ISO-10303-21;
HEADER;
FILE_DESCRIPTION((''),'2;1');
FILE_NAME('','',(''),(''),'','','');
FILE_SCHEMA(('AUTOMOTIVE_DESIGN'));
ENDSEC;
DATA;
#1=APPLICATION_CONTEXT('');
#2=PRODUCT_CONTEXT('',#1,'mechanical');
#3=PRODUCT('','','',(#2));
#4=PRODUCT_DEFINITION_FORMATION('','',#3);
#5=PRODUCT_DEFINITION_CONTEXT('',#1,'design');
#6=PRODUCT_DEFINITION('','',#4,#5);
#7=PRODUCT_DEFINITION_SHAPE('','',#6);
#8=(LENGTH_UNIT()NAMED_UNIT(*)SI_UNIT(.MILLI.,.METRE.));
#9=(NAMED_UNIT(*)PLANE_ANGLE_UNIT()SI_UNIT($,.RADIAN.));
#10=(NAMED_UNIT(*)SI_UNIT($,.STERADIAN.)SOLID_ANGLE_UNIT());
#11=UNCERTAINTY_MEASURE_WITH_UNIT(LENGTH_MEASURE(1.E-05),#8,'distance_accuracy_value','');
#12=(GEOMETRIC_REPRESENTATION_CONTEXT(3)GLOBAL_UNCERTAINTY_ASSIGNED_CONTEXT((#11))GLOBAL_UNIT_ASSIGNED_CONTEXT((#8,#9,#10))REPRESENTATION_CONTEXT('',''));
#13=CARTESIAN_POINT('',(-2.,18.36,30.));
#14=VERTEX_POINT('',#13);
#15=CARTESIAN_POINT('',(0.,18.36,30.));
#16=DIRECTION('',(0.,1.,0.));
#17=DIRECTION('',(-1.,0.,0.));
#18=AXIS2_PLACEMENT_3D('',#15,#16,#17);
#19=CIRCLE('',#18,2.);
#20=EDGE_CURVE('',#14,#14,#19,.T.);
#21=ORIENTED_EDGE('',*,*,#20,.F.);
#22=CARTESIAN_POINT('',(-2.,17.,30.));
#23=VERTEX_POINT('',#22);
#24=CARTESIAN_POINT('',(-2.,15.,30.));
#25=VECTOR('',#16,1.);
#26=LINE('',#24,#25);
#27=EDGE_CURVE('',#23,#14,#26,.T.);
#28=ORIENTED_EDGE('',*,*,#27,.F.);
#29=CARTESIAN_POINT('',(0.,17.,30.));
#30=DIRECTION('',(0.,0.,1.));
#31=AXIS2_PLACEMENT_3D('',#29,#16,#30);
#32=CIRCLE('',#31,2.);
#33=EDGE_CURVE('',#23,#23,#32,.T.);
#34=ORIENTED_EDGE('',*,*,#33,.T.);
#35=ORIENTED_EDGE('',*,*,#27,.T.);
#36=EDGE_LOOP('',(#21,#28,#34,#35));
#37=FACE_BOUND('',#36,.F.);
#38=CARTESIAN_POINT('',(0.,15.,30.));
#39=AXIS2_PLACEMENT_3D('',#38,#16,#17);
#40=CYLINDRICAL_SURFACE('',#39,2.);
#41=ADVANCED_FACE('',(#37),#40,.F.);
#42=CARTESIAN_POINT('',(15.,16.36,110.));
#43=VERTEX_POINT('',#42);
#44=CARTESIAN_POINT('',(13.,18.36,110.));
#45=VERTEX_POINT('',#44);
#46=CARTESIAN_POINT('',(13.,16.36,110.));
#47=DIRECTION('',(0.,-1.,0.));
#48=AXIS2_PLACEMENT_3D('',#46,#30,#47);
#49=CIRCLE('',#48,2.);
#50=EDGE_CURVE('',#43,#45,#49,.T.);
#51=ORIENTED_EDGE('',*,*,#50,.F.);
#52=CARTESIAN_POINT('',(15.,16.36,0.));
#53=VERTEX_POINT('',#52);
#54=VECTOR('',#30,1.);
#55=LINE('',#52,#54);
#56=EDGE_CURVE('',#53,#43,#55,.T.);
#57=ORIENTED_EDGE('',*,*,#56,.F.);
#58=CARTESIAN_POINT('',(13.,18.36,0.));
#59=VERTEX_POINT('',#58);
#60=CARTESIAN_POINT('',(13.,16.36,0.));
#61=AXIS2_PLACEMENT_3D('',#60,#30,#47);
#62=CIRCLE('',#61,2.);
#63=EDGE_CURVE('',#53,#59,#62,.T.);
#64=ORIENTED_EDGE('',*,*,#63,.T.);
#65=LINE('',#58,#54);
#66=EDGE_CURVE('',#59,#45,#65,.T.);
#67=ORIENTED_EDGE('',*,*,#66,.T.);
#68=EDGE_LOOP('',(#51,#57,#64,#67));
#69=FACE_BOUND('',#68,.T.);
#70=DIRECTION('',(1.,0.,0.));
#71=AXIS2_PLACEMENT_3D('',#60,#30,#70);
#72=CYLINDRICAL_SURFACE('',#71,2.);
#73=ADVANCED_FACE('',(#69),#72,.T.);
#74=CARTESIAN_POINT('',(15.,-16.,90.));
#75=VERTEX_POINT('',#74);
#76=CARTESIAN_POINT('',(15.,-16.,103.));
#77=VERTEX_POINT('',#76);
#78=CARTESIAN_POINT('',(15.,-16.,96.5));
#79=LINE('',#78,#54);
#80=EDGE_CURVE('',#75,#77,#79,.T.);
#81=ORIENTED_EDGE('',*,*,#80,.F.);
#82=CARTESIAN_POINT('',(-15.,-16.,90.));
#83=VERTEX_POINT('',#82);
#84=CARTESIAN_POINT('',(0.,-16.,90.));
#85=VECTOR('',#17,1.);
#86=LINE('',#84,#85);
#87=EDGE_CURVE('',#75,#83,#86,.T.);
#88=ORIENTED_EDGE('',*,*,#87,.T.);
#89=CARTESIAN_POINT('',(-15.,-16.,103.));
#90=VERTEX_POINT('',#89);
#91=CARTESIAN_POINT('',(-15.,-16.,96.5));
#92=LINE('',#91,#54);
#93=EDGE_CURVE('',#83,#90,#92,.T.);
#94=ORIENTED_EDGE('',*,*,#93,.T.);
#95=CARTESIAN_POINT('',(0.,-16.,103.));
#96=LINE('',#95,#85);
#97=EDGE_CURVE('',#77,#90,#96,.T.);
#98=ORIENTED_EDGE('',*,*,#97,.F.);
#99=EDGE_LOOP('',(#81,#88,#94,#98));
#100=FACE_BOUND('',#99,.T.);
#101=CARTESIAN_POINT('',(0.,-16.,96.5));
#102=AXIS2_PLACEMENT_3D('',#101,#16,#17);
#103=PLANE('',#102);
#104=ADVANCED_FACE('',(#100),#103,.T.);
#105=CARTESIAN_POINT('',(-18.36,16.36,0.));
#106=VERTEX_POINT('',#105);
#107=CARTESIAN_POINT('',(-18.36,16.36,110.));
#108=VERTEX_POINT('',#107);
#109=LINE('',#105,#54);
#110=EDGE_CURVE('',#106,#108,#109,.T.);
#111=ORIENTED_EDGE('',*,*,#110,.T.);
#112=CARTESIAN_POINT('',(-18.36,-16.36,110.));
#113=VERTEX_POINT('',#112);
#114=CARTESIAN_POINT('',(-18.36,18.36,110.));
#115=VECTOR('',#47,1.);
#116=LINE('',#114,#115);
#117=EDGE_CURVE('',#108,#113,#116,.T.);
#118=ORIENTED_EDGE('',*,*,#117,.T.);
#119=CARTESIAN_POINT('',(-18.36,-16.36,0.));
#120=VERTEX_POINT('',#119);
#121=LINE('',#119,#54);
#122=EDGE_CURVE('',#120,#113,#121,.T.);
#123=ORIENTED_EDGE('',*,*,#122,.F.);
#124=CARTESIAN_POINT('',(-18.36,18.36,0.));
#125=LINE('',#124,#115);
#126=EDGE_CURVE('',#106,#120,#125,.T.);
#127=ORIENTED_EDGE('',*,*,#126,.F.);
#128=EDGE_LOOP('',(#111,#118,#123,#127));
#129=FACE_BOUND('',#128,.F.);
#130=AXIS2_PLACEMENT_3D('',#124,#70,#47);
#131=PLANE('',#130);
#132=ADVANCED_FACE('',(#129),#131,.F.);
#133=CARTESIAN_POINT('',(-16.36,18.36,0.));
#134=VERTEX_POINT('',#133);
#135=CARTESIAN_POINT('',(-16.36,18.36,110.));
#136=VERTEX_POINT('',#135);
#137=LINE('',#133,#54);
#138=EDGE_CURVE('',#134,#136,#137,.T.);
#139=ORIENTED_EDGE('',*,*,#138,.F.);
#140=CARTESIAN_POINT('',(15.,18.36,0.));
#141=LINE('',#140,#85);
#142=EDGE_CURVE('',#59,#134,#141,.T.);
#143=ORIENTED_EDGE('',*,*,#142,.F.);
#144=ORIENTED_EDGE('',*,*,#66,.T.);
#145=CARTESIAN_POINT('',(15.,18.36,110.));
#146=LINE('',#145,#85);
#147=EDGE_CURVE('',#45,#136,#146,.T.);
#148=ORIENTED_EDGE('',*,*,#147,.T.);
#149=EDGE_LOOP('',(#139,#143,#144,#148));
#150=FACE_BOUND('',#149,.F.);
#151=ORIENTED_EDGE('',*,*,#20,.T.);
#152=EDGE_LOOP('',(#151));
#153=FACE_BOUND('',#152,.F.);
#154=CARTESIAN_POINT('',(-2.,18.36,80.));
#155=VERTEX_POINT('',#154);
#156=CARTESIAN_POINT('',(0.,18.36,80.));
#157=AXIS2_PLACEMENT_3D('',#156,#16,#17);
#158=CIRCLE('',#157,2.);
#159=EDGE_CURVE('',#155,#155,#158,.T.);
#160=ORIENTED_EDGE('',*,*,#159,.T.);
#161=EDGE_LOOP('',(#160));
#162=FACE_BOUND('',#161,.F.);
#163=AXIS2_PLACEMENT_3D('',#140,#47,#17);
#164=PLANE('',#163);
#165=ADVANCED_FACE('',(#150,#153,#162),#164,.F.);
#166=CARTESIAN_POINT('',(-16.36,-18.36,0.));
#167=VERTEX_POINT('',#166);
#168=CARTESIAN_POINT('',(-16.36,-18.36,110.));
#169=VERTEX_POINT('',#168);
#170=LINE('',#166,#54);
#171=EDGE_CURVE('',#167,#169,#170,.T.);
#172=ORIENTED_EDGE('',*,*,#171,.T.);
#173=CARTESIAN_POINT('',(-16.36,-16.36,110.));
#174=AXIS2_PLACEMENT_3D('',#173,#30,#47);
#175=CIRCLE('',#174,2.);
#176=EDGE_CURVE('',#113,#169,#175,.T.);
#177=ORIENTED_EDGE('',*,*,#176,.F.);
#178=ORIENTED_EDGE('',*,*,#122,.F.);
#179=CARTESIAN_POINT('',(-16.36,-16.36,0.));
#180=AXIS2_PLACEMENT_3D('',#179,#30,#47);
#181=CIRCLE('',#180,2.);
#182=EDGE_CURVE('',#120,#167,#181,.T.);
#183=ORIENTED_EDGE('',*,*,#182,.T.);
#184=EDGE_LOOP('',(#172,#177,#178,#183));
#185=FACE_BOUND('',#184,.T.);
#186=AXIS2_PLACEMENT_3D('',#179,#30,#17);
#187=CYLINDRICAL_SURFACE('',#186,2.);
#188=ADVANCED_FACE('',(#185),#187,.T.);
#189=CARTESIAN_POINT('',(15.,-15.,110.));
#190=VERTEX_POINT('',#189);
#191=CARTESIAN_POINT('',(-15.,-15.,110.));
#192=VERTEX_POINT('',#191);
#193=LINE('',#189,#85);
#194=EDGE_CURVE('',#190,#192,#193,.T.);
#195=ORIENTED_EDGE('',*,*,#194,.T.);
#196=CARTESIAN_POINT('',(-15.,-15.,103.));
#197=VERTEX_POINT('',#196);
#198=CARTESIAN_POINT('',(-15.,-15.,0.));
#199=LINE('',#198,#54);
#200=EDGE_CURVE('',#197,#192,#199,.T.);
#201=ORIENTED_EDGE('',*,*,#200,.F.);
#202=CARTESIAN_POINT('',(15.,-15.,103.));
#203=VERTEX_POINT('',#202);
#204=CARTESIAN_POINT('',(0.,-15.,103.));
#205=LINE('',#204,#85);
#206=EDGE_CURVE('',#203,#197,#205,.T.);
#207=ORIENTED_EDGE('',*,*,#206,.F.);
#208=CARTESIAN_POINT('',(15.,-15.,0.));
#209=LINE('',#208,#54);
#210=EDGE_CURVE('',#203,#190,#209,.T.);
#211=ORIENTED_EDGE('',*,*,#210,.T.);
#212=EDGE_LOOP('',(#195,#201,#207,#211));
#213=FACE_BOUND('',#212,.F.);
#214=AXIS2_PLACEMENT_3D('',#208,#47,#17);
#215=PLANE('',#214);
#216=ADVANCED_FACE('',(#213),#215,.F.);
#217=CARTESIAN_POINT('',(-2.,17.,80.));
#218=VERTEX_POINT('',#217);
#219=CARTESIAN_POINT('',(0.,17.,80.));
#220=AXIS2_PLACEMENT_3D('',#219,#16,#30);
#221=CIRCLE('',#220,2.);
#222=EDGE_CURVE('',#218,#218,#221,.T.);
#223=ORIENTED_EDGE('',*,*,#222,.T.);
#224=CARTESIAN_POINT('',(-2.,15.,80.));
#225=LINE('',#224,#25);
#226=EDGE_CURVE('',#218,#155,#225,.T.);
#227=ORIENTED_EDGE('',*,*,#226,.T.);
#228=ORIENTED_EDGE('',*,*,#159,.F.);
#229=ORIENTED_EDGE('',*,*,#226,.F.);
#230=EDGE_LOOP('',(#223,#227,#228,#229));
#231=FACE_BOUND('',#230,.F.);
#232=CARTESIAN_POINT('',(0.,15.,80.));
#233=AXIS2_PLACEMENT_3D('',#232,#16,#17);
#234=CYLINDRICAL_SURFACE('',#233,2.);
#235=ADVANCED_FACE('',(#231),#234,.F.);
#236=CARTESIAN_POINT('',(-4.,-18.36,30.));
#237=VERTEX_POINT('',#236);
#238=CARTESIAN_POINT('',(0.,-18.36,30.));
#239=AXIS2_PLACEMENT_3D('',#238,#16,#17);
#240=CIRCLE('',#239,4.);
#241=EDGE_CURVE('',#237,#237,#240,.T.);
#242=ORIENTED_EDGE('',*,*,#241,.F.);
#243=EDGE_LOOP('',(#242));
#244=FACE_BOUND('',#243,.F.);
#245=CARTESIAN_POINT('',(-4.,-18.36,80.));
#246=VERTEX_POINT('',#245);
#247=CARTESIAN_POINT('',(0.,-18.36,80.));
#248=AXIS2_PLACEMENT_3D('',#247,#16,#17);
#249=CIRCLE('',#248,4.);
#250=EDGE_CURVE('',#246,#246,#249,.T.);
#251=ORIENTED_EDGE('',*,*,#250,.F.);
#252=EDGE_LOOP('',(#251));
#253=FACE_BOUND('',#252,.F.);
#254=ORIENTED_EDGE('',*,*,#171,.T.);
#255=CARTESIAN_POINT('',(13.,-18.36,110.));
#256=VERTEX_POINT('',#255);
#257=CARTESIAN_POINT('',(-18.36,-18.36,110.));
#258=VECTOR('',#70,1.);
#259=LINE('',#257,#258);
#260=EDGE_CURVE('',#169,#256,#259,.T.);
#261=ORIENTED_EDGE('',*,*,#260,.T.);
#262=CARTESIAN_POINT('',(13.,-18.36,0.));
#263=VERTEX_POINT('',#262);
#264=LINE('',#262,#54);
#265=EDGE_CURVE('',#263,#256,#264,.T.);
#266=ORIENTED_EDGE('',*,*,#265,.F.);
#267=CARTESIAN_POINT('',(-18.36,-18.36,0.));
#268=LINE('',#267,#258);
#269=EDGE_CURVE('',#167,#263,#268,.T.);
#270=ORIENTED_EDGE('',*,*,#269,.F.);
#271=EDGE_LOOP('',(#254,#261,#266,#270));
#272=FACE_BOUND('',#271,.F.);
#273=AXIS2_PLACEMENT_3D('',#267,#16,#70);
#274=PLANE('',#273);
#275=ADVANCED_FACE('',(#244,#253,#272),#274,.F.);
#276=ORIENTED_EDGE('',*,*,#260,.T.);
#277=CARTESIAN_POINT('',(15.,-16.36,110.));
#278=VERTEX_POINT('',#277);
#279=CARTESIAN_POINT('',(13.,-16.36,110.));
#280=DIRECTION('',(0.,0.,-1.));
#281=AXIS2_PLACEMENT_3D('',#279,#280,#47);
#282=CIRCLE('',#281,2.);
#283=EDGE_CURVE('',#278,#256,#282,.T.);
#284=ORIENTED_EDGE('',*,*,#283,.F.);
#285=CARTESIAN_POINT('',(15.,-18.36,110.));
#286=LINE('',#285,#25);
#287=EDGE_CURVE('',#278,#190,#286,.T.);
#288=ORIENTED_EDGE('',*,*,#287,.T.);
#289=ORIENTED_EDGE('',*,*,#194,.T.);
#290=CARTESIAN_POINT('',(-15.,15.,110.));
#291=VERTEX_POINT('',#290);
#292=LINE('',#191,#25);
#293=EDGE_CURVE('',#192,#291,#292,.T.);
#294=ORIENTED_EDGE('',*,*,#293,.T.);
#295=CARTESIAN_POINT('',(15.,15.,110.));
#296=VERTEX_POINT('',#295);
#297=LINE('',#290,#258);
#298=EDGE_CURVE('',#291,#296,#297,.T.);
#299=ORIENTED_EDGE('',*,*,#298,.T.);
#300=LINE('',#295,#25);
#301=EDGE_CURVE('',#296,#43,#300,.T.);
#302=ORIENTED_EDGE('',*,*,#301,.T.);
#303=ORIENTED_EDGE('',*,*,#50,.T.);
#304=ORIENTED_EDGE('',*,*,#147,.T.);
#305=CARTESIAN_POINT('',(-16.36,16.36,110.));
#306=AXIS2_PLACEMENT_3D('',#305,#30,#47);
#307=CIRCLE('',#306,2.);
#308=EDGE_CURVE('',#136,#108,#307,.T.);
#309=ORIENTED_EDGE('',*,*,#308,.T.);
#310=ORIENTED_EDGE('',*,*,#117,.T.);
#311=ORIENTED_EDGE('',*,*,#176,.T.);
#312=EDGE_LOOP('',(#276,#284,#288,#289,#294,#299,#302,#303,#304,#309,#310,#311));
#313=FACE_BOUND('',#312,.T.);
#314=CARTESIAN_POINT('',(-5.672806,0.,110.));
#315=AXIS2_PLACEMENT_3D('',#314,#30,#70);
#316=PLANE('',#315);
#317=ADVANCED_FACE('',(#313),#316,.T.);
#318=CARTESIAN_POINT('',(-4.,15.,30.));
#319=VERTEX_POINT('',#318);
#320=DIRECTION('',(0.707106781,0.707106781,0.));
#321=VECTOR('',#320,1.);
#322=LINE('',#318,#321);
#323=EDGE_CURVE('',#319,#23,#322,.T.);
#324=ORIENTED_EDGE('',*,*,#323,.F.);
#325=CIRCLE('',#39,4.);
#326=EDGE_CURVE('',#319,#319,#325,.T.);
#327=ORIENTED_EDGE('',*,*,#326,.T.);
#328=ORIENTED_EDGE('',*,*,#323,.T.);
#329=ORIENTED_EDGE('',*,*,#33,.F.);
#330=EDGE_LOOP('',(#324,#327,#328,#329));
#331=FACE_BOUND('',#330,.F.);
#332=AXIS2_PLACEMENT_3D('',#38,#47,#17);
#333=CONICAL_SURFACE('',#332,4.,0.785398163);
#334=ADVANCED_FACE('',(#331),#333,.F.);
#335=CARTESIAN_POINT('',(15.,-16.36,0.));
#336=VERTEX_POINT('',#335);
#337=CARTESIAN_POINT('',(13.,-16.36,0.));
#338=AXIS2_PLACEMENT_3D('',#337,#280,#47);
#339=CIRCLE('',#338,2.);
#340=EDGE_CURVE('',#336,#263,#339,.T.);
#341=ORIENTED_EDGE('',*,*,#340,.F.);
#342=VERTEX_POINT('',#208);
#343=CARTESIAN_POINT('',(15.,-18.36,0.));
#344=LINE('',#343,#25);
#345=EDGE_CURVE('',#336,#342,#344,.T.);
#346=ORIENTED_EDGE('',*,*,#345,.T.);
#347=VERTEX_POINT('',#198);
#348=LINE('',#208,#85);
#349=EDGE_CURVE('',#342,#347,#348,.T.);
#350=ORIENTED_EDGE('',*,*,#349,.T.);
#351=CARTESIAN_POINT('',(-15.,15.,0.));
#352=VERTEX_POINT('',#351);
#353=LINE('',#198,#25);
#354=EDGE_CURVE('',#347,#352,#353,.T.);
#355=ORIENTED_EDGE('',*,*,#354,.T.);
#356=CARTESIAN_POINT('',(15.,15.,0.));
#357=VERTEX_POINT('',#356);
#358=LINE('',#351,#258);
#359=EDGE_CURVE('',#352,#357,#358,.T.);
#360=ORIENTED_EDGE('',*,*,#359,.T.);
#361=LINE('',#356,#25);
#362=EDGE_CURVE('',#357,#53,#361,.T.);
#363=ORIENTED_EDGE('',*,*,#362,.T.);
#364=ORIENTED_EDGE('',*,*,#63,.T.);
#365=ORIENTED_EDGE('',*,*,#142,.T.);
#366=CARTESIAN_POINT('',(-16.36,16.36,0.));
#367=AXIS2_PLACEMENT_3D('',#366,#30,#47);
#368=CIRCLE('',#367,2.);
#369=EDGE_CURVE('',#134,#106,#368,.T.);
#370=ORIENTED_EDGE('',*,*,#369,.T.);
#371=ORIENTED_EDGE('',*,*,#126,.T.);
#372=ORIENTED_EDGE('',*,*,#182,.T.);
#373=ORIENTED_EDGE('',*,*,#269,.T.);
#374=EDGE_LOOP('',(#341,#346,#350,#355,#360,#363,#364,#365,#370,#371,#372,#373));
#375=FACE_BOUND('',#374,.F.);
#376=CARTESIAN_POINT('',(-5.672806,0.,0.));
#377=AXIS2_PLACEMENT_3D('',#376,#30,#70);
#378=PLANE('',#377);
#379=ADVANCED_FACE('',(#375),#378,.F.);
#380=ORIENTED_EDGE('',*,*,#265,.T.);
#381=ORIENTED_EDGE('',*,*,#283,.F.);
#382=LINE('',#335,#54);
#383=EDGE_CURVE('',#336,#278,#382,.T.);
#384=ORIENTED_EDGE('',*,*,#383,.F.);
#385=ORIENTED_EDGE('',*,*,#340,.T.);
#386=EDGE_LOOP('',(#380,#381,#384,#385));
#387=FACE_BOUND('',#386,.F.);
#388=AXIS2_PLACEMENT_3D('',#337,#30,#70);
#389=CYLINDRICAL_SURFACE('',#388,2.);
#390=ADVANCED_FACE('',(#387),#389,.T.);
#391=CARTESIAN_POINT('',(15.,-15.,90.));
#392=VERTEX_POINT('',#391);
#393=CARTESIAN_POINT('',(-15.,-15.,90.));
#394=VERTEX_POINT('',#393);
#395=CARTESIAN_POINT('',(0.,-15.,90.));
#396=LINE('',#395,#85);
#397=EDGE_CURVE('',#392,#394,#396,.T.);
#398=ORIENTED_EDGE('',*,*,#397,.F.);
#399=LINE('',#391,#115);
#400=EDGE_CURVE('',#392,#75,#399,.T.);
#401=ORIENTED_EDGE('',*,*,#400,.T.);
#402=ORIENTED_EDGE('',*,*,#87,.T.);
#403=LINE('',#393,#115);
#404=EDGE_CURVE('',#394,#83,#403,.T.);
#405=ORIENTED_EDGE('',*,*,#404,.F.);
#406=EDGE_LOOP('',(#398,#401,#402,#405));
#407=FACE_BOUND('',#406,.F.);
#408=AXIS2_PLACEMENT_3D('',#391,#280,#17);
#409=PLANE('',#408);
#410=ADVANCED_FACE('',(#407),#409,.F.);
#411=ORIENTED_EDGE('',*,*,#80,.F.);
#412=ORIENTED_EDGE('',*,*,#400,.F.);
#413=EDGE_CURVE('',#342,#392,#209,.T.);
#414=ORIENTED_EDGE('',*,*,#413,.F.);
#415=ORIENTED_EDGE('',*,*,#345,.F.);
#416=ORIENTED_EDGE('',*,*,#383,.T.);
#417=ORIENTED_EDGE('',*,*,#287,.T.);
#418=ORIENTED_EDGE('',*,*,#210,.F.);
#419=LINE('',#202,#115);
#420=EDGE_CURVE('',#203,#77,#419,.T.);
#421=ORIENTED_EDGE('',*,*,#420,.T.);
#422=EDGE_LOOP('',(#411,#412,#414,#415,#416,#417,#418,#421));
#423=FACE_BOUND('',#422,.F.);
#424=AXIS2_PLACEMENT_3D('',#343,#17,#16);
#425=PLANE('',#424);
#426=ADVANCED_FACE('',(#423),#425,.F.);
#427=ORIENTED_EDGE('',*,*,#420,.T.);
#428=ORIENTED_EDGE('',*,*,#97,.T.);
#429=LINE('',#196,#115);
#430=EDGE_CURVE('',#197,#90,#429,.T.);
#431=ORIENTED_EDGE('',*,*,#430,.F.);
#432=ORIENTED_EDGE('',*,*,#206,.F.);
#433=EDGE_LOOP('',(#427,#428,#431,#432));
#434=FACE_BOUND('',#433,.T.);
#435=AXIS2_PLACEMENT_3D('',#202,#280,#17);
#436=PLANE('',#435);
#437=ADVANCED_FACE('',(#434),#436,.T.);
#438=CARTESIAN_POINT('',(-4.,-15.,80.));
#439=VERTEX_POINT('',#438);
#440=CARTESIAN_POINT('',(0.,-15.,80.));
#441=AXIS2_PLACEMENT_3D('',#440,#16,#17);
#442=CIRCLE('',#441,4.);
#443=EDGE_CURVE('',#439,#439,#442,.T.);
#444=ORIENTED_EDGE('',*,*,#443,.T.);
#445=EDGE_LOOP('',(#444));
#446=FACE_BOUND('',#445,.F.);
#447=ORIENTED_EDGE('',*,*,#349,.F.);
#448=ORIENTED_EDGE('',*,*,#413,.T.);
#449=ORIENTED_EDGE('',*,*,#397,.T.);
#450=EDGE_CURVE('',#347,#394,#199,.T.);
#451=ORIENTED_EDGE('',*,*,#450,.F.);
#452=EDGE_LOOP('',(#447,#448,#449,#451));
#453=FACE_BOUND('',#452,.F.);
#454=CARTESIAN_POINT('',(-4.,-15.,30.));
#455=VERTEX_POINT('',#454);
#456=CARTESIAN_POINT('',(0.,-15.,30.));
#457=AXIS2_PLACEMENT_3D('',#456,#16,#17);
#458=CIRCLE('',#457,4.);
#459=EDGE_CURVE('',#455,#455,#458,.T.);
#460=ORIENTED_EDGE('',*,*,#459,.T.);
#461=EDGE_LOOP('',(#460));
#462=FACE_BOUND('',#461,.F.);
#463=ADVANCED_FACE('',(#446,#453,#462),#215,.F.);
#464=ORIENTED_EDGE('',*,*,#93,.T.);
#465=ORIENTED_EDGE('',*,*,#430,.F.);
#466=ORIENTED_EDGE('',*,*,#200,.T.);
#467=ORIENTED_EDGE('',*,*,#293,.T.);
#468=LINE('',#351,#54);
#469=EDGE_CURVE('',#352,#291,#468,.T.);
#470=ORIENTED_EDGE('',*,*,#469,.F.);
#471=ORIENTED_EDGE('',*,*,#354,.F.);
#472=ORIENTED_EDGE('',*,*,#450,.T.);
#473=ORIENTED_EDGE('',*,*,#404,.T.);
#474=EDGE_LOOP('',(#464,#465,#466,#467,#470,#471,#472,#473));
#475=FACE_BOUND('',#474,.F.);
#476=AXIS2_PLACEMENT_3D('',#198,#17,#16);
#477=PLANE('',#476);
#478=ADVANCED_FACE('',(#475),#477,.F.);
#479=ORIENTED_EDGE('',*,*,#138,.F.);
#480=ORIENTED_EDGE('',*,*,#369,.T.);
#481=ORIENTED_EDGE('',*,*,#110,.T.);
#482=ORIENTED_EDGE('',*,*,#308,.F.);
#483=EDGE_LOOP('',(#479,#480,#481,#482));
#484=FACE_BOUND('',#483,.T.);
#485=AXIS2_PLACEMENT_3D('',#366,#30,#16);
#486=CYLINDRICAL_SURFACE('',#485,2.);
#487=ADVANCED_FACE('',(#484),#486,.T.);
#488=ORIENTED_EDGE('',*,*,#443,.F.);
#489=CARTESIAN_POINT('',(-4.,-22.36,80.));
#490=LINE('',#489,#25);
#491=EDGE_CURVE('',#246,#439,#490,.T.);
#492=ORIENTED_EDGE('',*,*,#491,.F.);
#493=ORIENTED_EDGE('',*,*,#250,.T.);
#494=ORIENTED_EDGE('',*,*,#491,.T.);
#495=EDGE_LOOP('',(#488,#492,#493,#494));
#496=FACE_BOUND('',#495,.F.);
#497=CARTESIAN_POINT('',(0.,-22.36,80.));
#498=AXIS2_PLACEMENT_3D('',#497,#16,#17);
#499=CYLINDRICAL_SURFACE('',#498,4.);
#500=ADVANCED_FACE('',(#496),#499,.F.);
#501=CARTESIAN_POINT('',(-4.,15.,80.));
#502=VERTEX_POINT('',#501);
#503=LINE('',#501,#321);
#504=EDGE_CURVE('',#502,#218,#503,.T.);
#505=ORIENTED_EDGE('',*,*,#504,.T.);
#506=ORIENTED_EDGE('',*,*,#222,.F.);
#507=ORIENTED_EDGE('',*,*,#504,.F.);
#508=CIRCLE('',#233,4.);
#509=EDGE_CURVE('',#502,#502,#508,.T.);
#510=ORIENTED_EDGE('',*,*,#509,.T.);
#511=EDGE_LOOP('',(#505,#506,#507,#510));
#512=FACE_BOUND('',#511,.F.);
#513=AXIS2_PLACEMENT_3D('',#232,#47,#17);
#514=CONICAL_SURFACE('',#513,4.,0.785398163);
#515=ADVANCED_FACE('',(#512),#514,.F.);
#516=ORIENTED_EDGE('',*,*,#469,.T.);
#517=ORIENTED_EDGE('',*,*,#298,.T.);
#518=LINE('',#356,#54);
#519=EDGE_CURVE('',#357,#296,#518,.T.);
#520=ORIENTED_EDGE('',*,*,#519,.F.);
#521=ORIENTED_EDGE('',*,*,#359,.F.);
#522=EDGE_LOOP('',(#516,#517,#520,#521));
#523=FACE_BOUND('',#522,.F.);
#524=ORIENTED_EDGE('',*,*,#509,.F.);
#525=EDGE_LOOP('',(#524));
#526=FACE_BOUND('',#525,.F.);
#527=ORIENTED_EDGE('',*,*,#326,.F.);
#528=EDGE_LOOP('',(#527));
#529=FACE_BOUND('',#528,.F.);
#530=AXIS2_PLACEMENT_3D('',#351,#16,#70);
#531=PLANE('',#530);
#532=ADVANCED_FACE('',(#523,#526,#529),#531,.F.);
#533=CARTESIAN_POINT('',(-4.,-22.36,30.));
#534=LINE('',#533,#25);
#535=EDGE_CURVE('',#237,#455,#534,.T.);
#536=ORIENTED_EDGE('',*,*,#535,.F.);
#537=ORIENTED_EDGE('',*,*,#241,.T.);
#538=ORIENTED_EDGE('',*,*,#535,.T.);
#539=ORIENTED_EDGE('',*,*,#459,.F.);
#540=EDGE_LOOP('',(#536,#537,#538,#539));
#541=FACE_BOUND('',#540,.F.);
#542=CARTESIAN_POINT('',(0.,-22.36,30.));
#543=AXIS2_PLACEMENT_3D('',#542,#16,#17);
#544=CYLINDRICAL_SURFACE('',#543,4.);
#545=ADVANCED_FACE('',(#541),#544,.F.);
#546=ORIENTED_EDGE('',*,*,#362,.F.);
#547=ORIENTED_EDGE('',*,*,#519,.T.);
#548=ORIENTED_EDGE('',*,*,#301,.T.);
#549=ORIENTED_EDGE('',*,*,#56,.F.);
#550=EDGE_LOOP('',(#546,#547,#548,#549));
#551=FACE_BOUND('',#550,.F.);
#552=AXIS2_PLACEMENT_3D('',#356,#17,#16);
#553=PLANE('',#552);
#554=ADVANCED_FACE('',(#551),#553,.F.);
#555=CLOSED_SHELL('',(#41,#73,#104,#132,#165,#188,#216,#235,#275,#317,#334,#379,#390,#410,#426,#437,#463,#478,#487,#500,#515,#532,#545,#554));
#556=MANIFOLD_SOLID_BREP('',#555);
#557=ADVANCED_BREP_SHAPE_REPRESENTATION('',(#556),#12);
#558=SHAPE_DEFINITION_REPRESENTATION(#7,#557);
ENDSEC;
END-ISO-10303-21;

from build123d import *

# Parameters (mm, degrees)
F1_DEPTH       = 110
F2_R           = 2
F4_D           = 8
F4_DEPTH       = 4
F6_D           = 4
F6_DEPTH       = 4
F6_CSINK_D     = 8
F6_CSINK_ANGLE = 90
F7_W           = 30
F7_H           = 13
F8_DEPTH       = 1


with BuildPart() as f1:
    # F0 (on Top) → F1 (new body)
    with BuildSketch(Plane.XY):
        Polygon((15, -18.36), (15, -15), (-15, -15), (-15, 15), (15, 15), (15, 18.36), (-18.36, 18.36), (-18.36, -18.36), align=None)
    extrude(amount=F1_DEPTH)

    # F2
    f2_edges = [f1.edges().sort_by_distance(p)[0] for p in [
        (-18.36, -18.36, 55),
        (-18.36, 18.36, 55),
        (15, -18.36, 55),
        (15, 18.36, 55),
    ]]
    fillet(f2_edges, radius=F2_R)

    # F4
    with Locations(Plane.XZ.offset(18.36)):
        with Locations((0, 30), (0, 80)):
            Hole(F4_D / 2, depth=F4_DEPTH)

    # F6
    with Locations(Plane.XZ.offset(-15)):
        with Locations((0, 30), (0, 80)):
            CounterSinkHole(F6_D / 2, F6_CSINK_D / 2, depth=F6_DEPTH, counter_sink_angle=F6_CSINK_ANGLE)

    # F7 (on face) → F8 (cut)
    with BuildSketch(Plane(origin=(0, -15, 0), x_dir=(-1, 0, 0), z_dir=(0, 1, 0))):
        with Locations((0, 96.5)):
            Rectangle(F7_W, F7_H)
    extrude(amount=-F8_DEPTH, mode=Mode.SUBTRACT)


solid = f1.part
